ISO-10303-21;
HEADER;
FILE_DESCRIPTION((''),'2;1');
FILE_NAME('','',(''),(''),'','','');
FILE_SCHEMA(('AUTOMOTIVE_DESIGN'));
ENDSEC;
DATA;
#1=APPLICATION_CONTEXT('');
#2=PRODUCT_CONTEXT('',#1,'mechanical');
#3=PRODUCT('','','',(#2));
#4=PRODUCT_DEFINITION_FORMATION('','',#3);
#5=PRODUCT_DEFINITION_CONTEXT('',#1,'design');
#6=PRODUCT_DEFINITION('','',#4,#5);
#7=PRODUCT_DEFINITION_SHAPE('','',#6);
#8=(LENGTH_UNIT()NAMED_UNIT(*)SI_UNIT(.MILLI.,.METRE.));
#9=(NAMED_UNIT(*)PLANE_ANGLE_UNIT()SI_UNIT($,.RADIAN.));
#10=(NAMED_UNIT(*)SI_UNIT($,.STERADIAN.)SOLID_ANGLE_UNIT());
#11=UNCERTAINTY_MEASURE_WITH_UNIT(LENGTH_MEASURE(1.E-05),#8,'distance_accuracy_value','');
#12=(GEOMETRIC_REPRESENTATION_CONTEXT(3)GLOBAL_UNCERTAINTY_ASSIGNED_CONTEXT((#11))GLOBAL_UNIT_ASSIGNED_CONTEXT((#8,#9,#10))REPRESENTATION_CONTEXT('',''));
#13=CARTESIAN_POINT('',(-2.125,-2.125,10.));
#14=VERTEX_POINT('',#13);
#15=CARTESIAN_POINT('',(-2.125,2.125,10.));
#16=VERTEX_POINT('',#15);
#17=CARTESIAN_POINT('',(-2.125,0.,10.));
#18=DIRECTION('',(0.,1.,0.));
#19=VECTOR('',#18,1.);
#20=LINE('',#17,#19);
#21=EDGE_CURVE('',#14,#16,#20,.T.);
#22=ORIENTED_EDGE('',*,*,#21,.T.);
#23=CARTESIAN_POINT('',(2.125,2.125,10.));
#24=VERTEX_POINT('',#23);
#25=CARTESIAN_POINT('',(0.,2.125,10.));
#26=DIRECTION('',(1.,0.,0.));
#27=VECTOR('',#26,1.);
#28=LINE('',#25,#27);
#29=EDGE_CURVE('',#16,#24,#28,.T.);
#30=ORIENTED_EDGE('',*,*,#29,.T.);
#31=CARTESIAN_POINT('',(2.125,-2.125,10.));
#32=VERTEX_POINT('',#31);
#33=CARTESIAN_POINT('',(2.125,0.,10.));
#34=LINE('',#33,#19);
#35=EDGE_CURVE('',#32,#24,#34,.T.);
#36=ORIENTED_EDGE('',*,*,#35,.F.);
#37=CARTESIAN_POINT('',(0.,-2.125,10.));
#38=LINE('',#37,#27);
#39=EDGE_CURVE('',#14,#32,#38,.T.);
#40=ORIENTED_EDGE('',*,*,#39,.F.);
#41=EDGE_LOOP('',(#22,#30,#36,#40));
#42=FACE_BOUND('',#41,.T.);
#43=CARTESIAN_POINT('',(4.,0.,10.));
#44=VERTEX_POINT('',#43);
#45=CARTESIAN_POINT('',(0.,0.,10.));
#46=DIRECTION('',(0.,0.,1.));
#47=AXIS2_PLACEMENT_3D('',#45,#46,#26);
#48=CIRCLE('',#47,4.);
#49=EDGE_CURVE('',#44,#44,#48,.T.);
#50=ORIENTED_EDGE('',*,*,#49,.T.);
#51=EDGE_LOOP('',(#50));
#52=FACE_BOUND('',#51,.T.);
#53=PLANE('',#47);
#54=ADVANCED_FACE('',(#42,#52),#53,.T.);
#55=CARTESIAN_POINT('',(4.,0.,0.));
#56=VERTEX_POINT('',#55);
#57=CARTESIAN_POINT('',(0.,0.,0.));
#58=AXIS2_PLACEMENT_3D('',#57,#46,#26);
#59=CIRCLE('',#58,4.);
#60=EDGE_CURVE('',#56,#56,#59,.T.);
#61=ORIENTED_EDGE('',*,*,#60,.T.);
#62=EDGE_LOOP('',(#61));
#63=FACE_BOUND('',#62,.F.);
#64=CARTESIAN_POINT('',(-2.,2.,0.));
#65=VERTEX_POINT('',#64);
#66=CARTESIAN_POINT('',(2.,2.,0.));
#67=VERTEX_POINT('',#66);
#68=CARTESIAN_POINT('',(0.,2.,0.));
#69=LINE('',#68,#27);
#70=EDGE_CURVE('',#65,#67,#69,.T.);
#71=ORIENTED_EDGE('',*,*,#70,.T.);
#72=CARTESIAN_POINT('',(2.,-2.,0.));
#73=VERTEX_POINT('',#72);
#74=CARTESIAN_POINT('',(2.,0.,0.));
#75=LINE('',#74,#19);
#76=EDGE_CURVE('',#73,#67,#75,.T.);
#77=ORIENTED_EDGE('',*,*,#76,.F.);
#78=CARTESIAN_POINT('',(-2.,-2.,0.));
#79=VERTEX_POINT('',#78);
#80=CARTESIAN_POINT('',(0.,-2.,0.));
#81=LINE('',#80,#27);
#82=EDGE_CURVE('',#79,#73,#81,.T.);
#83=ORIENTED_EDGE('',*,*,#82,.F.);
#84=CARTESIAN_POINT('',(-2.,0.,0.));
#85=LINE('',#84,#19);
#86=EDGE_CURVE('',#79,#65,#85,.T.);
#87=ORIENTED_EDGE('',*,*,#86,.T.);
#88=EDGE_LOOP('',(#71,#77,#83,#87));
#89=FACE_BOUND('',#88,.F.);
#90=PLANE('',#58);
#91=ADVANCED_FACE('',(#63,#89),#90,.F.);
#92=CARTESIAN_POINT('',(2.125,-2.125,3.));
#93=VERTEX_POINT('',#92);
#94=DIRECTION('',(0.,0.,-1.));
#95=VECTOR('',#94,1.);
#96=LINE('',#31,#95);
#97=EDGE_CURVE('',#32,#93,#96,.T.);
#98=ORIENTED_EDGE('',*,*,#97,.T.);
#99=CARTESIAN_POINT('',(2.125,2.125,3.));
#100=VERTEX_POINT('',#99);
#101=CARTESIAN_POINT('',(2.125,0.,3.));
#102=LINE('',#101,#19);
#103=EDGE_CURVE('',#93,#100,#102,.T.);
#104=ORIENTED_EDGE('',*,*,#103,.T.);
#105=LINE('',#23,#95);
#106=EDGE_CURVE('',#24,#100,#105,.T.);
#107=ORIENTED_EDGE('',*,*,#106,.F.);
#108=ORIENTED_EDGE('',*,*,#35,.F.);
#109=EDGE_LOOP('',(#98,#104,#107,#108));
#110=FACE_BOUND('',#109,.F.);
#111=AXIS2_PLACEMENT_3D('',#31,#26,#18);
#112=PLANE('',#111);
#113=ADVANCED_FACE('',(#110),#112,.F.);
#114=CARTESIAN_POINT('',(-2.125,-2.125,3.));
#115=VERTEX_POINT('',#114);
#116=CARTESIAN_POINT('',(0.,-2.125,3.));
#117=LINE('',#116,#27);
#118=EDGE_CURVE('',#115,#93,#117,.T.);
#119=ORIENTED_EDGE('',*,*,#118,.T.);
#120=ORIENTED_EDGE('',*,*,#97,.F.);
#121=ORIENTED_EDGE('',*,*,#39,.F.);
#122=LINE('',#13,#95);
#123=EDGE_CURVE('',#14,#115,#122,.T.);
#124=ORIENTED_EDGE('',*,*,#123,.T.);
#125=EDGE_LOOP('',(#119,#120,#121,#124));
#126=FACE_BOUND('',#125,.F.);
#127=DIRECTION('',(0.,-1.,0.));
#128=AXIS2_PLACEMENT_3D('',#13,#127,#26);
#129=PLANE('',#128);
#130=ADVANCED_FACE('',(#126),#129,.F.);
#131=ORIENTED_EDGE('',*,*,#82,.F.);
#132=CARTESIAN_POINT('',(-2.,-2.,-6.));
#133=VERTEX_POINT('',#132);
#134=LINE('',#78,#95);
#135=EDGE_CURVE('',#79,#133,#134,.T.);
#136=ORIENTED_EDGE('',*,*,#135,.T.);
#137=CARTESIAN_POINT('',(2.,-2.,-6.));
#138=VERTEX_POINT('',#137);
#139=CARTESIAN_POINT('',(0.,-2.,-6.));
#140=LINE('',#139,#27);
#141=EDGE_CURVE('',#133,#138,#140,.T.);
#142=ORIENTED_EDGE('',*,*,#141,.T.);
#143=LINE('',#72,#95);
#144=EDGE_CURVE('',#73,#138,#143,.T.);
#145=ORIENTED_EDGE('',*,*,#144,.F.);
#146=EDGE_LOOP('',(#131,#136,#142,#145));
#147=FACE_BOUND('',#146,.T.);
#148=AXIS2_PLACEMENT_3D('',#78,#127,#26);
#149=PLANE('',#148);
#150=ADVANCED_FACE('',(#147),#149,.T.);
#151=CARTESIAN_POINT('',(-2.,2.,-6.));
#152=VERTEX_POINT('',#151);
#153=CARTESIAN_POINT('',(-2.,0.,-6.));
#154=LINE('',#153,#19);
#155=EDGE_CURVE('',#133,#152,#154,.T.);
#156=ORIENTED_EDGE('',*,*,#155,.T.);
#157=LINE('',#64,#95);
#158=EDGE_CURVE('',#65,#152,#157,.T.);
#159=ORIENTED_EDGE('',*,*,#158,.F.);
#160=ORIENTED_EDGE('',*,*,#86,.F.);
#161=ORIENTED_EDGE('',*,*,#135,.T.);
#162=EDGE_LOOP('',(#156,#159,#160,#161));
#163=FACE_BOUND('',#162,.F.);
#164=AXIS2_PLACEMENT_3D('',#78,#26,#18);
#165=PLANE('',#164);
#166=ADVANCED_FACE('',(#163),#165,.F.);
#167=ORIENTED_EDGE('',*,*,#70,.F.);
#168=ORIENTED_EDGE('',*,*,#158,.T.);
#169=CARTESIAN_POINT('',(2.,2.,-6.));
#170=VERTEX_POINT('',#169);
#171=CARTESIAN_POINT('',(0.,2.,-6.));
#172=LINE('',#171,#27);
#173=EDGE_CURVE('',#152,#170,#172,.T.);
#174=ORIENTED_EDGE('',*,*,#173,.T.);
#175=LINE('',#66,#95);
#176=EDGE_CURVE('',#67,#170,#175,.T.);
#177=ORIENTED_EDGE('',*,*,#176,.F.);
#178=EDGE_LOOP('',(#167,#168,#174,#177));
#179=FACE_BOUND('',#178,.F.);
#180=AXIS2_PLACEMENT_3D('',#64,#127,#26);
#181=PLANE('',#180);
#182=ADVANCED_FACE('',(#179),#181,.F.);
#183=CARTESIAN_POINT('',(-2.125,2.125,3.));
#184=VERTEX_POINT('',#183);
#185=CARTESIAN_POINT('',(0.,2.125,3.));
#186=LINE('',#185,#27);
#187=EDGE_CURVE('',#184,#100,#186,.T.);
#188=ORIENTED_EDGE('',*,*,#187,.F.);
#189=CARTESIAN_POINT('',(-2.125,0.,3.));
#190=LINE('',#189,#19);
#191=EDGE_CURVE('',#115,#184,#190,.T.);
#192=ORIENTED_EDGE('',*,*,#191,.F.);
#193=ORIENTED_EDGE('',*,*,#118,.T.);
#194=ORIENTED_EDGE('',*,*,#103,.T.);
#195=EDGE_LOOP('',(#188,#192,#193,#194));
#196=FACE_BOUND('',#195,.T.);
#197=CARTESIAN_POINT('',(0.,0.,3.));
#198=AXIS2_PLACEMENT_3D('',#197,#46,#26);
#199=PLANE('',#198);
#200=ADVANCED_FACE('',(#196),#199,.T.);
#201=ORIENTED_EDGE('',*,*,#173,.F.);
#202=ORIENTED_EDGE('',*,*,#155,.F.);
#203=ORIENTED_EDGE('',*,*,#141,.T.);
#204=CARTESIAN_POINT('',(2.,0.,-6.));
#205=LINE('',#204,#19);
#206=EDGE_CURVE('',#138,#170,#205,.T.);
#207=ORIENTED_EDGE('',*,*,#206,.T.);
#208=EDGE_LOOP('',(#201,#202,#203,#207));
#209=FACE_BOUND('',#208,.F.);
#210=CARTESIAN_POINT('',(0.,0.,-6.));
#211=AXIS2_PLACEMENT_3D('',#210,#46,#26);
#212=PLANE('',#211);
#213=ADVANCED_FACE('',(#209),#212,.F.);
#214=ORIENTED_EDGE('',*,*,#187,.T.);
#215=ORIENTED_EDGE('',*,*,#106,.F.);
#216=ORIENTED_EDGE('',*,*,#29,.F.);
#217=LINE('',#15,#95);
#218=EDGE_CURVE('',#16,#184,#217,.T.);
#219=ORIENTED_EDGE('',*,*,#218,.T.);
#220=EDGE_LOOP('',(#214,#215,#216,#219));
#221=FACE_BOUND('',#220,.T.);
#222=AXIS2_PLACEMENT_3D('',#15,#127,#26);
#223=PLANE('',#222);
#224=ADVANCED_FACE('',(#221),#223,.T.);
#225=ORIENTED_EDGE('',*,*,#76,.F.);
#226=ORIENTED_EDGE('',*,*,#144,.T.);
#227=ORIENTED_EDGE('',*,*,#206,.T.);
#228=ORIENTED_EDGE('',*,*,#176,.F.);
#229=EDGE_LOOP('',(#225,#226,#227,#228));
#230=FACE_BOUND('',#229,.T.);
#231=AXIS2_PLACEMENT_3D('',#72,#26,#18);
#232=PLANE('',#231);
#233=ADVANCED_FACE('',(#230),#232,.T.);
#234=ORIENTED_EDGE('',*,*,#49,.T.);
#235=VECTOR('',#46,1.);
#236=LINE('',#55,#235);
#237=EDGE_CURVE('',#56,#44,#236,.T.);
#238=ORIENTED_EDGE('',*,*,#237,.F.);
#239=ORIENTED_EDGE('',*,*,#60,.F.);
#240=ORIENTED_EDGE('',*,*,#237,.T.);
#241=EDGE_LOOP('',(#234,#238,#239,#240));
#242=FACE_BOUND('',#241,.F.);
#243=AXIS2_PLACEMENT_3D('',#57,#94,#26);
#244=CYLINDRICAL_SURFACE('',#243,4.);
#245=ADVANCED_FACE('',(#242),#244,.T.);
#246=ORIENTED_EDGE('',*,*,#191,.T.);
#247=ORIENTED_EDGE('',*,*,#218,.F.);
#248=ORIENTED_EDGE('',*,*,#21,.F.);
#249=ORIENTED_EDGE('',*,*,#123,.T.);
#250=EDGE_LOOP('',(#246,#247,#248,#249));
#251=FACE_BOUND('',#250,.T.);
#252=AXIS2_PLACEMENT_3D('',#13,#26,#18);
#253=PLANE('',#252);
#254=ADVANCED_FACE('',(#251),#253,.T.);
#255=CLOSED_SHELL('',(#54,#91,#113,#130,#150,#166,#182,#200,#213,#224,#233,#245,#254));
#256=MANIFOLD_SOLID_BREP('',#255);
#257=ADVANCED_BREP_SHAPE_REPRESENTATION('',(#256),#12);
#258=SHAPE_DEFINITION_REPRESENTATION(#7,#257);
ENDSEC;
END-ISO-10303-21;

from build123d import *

# Parameters (mm, degrees)
F0_R     = 4
F0_W     = 4
F0_H     = 4
F1_DEPTH = 10
F2_W     = 4.25
F2_H     = 4.25
F3_DEPTH = 7
F4_DEPTH = 6


with BuildPart() as f1:
    # F0 (on Top) → F1 (new body)
    with BuildSketch(Plane.XY):
        Circle(F0_R)
        Rectangle(F0_W, F0_H, mode=Mode.SUBTRACT)
        Rectangle(F0_W, F0_H)
    extrude(amount=F1_DEPTH)

    # F2 (on face) → F3 (cut)
    with BuildSketch(Plane.XY.offset(10)):
        Rectangle(F2_W, F2_H)
    extrude(amount=-F3_DEPTH, mode=Mode.SUBTRACT)

    # F0 (on Top) → F4 (join)
    with BuildSketch(Plane.XY):
        Rectangle(F0_W, F0_H)
    extrude(amount=-F4_DEPTH)


solid = f1.part
